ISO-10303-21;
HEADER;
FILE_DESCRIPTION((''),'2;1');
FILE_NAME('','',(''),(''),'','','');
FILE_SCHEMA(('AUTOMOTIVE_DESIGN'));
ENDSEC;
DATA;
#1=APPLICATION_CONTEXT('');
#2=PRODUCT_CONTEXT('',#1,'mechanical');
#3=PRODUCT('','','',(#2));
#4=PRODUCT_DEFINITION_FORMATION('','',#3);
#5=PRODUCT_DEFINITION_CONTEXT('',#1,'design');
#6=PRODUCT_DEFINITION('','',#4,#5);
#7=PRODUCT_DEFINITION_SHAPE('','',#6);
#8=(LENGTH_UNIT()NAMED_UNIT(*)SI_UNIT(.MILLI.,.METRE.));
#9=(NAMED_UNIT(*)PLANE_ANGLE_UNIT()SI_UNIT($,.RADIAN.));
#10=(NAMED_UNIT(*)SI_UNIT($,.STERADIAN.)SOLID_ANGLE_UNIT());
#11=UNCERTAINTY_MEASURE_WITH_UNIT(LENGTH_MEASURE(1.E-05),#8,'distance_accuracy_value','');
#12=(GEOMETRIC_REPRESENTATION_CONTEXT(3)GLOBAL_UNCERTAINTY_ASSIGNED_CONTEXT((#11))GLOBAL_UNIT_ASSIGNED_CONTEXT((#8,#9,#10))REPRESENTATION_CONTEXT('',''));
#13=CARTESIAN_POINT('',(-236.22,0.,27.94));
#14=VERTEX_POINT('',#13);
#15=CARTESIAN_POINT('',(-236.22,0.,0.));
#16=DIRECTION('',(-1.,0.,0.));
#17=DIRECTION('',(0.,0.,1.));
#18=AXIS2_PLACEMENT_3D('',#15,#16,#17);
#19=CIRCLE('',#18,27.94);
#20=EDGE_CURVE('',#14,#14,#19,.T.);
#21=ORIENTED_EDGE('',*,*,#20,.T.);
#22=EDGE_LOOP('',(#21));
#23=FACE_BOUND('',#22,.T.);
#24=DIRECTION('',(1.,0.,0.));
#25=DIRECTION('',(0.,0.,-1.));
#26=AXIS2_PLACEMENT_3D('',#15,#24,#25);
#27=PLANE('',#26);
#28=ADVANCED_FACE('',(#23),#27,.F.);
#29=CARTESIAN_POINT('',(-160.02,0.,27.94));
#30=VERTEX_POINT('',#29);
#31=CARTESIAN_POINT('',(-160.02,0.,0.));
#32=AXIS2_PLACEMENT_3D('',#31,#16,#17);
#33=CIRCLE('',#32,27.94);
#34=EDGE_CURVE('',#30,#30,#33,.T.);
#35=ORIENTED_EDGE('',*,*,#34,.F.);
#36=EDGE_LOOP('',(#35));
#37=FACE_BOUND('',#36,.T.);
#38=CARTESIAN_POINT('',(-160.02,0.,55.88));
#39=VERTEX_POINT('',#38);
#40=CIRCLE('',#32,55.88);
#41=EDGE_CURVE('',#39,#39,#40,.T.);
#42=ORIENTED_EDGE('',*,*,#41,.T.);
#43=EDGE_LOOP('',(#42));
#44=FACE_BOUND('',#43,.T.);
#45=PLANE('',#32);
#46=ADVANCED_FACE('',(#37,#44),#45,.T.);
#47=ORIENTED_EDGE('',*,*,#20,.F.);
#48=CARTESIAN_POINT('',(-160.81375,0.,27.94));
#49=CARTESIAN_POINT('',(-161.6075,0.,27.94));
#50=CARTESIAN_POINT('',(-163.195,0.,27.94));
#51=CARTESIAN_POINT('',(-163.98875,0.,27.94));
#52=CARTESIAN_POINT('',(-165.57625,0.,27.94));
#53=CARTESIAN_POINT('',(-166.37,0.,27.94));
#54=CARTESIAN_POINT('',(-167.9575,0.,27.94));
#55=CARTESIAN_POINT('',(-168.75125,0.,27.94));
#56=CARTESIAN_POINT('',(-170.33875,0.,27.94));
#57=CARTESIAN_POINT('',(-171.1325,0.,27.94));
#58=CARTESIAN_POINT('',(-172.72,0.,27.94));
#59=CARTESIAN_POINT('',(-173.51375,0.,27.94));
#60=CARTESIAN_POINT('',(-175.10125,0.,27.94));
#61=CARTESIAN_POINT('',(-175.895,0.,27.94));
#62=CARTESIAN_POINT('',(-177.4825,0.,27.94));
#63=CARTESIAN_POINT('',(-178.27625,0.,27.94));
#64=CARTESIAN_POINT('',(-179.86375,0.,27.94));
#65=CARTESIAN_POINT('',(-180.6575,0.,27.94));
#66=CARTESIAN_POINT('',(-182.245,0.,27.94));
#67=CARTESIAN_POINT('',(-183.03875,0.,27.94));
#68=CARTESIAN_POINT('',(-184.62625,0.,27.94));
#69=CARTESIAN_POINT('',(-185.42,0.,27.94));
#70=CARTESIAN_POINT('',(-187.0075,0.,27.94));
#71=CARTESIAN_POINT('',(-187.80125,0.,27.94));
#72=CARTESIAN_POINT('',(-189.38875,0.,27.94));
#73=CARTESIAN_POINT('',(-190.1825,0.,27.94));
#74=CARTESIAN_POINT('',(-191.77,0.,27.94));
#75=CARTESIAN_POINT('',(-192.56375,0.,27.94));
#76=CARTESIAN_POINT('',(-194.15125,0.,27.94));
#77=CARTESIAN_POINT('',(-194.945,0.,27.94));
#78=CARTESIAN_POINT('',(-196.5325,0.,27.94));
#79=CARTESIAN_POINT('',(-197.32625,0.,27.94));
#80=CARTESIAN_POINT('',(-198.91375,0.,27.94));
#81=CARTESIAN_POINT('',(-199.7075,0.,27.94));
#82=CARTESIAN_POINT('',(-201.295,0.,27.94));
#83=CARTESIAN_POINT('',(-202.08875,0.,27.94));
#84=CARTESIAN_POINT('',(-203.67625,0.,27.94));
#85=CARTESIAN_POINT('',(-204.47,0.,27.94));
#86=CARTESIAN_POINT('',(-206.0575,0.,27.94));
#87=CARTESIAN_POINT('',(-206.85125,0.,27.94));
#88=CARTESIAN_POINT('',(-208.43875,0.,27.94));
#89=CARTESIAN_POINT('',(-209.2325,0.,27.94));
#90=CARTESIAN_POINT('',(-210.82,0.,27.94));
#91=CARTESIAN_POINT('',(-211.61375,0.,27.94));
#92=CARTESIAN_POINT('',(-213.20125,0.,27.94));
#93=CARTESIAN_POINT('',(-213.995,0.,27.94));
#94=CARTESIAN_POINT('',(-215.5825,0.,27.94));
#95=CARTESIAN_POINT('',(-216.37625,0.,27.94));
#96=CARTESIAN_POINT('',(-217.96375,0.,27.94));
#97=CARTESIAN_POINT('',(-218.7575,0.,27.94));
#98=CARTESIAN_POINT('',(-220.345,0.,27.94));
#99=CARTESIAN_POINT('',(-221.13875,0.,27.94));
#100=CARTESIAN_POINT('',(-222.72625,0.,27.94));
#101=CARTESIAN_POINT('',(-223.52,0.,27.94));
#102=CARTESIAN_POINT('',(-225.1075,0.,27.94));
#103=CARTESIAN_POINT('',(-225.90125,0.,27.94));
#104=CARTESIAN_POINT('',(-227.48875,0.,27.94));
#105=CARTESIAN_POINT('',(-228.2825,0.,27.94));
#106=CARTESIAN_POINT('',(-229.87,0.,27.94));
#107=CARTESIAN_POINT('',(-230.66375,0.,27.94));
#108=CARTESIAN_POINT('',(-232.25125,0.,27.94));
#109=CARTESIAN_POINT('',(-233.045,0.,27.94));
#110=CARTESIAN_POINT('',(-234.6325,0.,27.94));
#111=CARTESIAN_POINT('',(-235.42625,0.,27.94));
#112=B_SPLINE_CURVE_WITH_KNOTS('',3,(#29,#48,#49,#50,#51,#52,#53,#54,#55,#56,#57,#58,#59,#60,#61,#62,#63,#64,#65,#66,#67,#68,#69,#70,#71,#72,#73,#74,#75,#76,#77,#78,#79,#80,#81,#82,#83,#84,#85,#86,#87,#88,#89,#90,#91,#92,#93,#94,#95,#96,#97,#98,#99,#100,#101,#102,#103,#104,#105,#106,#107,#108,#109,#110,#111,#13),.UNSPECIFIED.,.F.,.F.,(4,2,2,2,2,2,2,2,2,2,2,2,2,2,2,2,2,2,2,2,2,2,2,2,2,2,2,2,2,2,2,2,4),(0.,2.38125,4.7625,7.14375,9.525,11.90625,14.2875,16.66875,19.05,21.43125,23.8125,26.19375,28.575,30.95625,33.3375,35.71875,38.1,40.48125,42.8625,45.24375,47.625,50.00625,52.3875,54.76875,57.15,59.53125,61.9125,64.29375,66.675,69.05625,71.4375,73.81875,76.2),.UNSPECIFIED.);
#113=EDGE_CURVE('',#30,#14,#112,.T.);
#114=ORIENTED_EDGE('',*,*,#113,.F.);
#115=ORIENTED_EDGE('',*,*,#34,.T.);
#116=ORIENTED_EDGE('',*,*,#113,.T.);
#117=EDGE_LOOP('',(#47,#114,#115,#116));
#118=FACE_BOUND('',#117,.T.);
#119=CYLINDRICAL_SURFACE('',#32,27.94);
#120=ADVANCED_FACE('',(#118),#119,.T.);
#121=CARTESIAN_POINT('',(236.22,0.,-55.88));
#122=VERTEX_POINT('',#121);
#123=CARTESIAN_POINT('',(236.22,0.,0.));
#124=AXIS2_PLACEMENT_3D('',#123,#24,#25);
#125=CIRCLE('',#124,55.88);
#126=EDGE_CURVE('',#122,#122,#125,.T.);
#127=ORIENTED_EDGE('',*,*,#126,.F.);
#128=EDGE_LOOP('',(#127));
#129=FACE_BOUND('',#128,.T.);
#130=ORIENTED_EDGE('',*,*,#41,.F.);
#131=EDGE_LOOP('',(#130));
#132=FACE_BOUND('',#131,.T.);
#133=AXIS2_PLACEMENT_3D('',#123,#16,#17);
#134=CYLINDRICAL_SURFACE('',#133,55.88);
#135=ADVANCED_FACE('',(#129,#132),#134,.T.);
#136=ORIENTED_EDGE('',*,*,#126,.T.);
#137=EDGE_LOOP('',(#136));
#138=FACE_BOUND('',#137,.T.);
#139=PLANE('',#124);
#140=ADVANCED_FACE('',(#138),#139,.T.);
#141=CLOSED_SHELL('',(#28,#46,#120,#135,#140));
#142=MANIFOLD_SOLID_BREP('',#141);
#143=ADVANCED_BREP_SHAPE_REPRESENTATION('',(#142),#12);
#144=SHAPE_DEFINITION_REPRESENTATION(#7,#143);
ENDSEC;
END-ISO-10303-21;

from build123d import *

# Parameters (mm, degrees)
SKETCH1_R           = 55.88
BOSS_EXTRUDE1_DEPTH = 236.22
SKETCH2_OUTSIDE_W   = 213.396
SKETCH2_OUTSIDE_H   = 213.396
SKETCH2_OUTSIDE_R   = 27.94
CUT_EXTRUDE1_DEPTH  = 76.2


with BuildPart() as part:
    # Sketch1 → Boss-Extrude1 (new, symmetric)
    with BuildSketch(Plane(origin=(0, 0, 0), x_dir=(0, 0, -1), z_dir=(1, 0, 0))):
        Circle(SKETCH1_R)
    extrude(amount=BOSS_EXTRUDE1_DEPTH, both=True)

    # Sketch2 outside → Cut-Extrude1 (cut)
    with BuildSketch(Plane.ZY.offset(236.22)):
        Rectangle(SKETCH2_OUTSIDE_W, SKETCH2_OUTSIDE_H)
        Circle(SKETCH2_OUTSIDE_R, mode=Mode.SUBTRACT)
    extrude(amount=-CUT_EXTRUDE1_DEPTH, mode=Mode.SUBTRACT)


solid = part.part
